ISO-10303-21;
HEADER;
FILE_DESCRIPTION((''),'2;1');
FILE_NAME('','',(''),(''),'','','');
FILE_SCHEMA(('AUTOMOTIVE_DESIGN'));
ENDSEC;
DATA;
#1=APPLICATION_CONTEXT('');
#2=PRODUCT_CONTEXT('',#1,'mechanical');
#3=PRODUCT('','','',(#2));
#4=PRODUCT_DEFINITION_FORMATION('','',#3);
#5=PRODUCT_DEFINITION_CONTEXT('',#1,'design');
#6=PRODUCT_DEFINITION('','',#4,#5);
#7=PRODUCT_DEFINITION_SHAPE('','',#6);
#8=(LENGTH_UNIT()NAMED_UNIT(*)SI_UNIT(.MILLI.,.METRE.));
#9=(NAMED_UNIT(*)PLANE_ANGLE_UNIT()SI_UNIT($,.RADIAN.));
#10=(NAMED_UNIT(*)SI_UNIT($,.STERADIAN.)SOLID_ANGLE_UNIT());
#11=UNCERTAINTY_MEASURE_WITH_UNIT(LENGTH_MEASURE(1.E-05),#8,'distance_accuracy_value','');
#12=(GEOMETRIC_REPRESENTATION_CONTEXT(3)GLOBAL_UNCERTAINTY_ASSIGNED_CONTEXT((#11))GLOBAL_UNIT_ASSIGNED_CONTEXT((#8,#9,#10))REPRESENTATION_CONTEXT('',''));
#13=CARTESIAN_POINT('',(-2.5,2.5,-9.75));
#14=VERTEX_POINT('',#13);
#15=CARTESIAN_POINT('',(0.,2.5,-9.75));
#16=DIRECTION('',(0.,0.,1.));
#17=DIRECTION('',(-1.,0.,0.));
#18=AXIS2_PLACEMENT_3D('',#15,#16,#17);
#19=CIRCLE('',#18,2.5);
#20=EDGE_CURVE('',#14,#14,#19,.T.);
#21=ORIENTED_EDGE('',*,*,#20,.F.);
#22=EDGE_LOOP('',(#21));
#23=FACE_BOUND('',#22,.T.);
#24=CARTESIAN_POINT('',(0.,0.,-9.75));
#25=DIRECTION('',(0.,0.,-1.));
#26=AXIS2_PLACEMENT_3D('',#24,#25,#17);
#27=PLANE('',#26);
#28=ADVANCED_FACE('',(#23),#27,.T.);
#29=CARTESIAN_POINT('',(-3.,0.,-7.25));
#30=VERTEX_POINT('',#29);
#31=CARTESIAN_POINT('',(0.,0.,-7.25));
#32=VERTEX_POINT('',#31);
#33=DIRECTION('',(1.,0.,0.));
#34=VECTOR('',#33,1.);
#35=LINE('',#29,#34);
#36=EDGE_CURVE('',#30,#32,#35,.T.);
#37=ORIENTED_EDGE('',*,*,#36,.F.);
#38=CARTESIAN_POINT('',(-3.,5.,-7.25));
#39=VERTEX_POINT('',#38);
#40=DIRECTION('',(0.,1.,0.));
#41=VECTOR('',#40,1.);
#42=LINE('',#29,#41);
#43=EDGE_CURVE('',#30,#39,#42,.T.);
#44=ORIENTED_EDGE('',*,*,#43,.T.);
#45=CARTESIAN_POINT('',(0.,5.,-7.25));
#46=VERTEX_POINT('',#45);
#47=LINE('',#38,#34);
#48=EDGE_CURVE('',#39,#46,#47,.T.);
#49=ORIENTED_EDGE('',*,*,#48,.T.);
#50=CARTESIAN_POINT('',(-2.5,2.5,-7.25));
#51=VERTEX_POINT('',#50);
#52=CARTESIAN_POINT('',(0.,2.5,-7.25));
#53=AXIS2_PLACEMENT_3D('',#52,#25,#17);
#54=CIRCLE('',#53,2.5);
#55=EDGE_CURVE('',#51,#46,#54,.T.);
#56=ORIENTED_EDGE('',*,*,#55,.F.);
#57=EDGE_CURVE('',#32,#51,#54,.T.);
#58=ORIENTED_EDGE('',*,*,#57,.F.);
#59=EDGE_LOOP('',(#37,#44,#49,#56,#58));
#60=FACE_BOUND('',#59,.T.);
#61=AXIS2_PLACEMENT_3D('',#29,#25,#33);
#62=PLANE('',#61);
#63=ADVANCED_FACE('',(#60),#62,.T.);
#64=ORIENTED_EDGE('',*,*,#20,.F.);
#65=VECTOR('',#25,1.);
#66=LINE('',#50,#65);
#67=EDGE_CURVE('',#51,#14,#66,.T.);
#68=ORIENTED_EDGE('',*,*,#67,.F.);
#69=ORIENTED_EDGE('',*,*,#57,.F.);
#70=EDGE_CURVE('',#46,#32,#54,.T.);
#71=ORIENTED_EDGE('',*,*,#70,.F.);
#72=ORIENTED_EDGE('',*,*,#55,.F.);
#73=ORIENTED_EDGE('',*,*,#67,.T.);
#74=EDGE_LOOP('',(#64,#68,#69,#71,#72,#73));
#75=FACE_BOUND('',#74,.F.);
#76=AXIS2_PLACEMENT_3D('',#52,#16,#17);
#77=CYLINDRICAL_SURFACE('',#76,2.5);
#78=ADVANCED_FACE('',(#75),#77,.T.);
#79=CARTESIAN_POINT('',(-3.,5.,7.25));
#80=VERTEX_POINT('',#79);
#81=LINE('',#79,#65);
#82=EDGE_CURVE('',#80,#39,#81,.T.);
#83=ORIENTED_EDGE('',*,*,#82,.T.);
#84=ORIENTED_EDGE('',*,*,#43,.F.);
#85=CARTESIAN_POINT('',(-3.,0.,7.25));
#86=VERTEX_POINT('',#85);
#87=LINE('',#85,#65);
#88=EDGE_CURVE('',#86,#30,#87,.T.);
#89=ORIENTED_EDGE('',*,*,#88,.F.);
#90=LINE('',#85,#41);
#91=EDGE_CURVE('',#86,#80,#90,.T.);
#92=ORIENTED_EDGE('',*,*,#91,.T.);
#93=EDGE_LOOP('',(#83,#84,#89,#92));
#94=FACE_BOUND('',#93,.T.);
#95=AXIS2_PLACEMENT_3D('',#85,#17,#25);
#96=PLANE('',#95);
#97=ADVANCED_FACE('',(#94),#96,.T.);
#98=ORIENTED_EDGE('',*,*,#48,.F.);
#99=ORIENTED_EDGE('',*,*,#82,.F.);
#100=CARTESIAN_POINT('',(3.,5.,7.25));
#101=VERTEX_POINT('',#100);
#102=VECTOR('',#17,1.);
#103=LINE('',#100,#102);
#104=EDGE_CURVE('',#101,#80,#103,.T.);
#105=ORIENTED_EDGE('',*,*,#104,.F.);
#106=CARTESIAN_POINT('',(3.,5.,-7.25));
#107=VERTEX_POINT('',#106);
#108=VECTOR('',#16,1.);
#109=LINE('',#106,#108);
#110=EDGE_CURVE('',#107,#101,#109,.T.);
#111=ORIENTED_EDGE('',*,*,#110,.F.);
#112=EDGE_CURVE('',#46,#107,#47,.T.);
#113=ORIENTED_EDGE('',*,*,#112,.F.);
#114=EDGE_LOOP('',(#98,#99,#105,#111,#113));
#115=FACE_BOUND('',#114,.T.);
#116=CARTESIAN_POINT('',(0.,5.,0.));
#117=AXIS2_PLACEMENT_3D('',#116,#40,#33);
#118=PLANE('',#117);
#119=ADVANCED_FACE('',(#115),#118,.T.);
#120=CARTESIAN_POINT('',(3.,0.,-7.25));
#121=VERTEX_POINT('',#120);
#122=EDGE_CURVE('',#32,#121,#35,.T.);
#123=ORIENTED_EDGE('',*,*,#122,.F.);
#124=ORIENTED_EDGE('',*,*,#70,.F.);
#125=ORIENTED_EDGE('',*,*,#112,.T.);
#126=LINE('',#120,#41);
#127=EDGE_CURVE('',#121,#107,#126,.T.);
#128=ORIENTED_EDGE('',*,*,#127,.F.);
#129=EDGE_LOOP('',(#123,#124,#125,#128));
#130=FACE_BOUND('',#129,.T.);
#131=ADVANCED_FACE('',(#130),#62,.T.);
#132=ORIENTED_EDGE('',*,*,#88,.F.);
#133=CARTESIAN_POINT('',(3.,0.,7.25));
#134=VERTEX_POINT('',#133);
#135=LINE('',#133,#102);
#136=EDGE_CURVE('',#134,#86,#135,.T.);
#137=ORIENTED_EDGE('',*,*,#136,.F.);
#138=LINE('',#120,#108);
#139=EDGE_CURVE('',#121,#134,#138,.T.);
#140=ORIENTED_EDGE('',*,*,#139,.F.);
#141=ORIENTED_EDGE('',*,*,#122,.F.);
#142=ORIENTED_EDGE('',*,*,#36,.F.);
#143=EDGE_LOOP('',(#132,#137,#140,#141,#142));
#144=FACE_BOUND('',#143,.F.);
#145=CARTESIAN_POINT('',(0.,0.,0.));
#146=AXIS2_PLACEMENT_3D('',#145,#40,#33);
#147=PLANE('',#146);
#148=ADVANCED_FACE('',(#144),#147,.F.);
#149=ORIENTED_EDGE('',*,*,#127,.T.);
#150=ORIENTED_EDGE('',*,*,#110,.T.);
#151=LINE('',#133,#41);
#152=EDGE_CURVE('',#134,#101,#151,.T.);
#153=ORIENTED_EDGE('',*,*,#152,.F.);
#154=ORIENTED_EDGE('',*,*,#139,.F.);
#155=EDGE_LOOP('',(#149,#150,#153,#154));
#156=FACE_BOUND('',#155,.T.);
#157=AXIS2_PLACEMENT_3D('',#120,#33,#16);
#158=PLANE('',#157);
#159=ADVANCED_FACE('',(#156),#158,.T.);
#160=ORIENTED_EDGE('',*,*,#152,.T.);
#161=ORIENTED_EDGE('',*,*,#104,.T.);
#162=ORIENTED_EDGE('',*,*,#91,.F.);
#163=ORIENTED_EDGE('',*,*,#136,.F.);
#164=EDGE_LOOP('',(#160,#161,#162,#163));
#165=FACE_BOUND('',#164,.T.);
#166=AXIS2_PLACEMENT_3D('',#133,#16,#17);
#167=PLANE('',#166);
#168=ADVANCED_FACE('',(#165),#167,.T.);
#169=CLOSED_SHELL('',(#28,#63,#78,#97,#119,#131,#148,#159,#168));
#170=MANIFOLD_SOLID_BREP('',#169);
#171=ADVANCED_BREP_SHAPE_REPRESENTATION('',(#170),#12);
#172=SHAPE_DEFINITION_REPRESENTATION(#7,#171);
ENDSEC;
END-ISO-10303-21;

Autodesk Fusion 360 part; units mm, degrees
sketch "Sketch1" plane through (0, 0, 0) normal (0, 1, 0) x (1, 0, 0)
  line L0 (3, -7.25) -> (-3, -7.25)
  line L1 (-3, -7.25) -> (-3, 7.25)
  line L2 (-3, 7.25) -> (3, 7.25)
  line L3 (3, 7.25) -> (3, -7.25)
  line L4 (3, -7.25) -> (-3, 7.25) construction
  line L5 (-3, -7.25) -> (3, 7.25) construction
  dimension "d1" = 14.5
  dimension "d2" = 6
extrude "Extrude1" add sketch "Sketch1" along normal blind 5
sketch "Sketch2" plane through (0, 0, -7.25) normal (0, 0, -1) x (-1, 0, 0)
  line L0 (-3, 0) -> (3, 0)
  line L1 (3, 0) -> (3, 5)
  line L2 (3, 5) -> (-3, 5)
  line L3 (-3, 5) -> (-3, 0)
  line L4 (-3, 5) -> (3, 0) construction
  circle A0 centre (0, 2.5) radius 2.5
  dimension "d5" = 5
extrude "Extrude2" add sketch "Sketch2" along normal blind 2.5 contours A0
